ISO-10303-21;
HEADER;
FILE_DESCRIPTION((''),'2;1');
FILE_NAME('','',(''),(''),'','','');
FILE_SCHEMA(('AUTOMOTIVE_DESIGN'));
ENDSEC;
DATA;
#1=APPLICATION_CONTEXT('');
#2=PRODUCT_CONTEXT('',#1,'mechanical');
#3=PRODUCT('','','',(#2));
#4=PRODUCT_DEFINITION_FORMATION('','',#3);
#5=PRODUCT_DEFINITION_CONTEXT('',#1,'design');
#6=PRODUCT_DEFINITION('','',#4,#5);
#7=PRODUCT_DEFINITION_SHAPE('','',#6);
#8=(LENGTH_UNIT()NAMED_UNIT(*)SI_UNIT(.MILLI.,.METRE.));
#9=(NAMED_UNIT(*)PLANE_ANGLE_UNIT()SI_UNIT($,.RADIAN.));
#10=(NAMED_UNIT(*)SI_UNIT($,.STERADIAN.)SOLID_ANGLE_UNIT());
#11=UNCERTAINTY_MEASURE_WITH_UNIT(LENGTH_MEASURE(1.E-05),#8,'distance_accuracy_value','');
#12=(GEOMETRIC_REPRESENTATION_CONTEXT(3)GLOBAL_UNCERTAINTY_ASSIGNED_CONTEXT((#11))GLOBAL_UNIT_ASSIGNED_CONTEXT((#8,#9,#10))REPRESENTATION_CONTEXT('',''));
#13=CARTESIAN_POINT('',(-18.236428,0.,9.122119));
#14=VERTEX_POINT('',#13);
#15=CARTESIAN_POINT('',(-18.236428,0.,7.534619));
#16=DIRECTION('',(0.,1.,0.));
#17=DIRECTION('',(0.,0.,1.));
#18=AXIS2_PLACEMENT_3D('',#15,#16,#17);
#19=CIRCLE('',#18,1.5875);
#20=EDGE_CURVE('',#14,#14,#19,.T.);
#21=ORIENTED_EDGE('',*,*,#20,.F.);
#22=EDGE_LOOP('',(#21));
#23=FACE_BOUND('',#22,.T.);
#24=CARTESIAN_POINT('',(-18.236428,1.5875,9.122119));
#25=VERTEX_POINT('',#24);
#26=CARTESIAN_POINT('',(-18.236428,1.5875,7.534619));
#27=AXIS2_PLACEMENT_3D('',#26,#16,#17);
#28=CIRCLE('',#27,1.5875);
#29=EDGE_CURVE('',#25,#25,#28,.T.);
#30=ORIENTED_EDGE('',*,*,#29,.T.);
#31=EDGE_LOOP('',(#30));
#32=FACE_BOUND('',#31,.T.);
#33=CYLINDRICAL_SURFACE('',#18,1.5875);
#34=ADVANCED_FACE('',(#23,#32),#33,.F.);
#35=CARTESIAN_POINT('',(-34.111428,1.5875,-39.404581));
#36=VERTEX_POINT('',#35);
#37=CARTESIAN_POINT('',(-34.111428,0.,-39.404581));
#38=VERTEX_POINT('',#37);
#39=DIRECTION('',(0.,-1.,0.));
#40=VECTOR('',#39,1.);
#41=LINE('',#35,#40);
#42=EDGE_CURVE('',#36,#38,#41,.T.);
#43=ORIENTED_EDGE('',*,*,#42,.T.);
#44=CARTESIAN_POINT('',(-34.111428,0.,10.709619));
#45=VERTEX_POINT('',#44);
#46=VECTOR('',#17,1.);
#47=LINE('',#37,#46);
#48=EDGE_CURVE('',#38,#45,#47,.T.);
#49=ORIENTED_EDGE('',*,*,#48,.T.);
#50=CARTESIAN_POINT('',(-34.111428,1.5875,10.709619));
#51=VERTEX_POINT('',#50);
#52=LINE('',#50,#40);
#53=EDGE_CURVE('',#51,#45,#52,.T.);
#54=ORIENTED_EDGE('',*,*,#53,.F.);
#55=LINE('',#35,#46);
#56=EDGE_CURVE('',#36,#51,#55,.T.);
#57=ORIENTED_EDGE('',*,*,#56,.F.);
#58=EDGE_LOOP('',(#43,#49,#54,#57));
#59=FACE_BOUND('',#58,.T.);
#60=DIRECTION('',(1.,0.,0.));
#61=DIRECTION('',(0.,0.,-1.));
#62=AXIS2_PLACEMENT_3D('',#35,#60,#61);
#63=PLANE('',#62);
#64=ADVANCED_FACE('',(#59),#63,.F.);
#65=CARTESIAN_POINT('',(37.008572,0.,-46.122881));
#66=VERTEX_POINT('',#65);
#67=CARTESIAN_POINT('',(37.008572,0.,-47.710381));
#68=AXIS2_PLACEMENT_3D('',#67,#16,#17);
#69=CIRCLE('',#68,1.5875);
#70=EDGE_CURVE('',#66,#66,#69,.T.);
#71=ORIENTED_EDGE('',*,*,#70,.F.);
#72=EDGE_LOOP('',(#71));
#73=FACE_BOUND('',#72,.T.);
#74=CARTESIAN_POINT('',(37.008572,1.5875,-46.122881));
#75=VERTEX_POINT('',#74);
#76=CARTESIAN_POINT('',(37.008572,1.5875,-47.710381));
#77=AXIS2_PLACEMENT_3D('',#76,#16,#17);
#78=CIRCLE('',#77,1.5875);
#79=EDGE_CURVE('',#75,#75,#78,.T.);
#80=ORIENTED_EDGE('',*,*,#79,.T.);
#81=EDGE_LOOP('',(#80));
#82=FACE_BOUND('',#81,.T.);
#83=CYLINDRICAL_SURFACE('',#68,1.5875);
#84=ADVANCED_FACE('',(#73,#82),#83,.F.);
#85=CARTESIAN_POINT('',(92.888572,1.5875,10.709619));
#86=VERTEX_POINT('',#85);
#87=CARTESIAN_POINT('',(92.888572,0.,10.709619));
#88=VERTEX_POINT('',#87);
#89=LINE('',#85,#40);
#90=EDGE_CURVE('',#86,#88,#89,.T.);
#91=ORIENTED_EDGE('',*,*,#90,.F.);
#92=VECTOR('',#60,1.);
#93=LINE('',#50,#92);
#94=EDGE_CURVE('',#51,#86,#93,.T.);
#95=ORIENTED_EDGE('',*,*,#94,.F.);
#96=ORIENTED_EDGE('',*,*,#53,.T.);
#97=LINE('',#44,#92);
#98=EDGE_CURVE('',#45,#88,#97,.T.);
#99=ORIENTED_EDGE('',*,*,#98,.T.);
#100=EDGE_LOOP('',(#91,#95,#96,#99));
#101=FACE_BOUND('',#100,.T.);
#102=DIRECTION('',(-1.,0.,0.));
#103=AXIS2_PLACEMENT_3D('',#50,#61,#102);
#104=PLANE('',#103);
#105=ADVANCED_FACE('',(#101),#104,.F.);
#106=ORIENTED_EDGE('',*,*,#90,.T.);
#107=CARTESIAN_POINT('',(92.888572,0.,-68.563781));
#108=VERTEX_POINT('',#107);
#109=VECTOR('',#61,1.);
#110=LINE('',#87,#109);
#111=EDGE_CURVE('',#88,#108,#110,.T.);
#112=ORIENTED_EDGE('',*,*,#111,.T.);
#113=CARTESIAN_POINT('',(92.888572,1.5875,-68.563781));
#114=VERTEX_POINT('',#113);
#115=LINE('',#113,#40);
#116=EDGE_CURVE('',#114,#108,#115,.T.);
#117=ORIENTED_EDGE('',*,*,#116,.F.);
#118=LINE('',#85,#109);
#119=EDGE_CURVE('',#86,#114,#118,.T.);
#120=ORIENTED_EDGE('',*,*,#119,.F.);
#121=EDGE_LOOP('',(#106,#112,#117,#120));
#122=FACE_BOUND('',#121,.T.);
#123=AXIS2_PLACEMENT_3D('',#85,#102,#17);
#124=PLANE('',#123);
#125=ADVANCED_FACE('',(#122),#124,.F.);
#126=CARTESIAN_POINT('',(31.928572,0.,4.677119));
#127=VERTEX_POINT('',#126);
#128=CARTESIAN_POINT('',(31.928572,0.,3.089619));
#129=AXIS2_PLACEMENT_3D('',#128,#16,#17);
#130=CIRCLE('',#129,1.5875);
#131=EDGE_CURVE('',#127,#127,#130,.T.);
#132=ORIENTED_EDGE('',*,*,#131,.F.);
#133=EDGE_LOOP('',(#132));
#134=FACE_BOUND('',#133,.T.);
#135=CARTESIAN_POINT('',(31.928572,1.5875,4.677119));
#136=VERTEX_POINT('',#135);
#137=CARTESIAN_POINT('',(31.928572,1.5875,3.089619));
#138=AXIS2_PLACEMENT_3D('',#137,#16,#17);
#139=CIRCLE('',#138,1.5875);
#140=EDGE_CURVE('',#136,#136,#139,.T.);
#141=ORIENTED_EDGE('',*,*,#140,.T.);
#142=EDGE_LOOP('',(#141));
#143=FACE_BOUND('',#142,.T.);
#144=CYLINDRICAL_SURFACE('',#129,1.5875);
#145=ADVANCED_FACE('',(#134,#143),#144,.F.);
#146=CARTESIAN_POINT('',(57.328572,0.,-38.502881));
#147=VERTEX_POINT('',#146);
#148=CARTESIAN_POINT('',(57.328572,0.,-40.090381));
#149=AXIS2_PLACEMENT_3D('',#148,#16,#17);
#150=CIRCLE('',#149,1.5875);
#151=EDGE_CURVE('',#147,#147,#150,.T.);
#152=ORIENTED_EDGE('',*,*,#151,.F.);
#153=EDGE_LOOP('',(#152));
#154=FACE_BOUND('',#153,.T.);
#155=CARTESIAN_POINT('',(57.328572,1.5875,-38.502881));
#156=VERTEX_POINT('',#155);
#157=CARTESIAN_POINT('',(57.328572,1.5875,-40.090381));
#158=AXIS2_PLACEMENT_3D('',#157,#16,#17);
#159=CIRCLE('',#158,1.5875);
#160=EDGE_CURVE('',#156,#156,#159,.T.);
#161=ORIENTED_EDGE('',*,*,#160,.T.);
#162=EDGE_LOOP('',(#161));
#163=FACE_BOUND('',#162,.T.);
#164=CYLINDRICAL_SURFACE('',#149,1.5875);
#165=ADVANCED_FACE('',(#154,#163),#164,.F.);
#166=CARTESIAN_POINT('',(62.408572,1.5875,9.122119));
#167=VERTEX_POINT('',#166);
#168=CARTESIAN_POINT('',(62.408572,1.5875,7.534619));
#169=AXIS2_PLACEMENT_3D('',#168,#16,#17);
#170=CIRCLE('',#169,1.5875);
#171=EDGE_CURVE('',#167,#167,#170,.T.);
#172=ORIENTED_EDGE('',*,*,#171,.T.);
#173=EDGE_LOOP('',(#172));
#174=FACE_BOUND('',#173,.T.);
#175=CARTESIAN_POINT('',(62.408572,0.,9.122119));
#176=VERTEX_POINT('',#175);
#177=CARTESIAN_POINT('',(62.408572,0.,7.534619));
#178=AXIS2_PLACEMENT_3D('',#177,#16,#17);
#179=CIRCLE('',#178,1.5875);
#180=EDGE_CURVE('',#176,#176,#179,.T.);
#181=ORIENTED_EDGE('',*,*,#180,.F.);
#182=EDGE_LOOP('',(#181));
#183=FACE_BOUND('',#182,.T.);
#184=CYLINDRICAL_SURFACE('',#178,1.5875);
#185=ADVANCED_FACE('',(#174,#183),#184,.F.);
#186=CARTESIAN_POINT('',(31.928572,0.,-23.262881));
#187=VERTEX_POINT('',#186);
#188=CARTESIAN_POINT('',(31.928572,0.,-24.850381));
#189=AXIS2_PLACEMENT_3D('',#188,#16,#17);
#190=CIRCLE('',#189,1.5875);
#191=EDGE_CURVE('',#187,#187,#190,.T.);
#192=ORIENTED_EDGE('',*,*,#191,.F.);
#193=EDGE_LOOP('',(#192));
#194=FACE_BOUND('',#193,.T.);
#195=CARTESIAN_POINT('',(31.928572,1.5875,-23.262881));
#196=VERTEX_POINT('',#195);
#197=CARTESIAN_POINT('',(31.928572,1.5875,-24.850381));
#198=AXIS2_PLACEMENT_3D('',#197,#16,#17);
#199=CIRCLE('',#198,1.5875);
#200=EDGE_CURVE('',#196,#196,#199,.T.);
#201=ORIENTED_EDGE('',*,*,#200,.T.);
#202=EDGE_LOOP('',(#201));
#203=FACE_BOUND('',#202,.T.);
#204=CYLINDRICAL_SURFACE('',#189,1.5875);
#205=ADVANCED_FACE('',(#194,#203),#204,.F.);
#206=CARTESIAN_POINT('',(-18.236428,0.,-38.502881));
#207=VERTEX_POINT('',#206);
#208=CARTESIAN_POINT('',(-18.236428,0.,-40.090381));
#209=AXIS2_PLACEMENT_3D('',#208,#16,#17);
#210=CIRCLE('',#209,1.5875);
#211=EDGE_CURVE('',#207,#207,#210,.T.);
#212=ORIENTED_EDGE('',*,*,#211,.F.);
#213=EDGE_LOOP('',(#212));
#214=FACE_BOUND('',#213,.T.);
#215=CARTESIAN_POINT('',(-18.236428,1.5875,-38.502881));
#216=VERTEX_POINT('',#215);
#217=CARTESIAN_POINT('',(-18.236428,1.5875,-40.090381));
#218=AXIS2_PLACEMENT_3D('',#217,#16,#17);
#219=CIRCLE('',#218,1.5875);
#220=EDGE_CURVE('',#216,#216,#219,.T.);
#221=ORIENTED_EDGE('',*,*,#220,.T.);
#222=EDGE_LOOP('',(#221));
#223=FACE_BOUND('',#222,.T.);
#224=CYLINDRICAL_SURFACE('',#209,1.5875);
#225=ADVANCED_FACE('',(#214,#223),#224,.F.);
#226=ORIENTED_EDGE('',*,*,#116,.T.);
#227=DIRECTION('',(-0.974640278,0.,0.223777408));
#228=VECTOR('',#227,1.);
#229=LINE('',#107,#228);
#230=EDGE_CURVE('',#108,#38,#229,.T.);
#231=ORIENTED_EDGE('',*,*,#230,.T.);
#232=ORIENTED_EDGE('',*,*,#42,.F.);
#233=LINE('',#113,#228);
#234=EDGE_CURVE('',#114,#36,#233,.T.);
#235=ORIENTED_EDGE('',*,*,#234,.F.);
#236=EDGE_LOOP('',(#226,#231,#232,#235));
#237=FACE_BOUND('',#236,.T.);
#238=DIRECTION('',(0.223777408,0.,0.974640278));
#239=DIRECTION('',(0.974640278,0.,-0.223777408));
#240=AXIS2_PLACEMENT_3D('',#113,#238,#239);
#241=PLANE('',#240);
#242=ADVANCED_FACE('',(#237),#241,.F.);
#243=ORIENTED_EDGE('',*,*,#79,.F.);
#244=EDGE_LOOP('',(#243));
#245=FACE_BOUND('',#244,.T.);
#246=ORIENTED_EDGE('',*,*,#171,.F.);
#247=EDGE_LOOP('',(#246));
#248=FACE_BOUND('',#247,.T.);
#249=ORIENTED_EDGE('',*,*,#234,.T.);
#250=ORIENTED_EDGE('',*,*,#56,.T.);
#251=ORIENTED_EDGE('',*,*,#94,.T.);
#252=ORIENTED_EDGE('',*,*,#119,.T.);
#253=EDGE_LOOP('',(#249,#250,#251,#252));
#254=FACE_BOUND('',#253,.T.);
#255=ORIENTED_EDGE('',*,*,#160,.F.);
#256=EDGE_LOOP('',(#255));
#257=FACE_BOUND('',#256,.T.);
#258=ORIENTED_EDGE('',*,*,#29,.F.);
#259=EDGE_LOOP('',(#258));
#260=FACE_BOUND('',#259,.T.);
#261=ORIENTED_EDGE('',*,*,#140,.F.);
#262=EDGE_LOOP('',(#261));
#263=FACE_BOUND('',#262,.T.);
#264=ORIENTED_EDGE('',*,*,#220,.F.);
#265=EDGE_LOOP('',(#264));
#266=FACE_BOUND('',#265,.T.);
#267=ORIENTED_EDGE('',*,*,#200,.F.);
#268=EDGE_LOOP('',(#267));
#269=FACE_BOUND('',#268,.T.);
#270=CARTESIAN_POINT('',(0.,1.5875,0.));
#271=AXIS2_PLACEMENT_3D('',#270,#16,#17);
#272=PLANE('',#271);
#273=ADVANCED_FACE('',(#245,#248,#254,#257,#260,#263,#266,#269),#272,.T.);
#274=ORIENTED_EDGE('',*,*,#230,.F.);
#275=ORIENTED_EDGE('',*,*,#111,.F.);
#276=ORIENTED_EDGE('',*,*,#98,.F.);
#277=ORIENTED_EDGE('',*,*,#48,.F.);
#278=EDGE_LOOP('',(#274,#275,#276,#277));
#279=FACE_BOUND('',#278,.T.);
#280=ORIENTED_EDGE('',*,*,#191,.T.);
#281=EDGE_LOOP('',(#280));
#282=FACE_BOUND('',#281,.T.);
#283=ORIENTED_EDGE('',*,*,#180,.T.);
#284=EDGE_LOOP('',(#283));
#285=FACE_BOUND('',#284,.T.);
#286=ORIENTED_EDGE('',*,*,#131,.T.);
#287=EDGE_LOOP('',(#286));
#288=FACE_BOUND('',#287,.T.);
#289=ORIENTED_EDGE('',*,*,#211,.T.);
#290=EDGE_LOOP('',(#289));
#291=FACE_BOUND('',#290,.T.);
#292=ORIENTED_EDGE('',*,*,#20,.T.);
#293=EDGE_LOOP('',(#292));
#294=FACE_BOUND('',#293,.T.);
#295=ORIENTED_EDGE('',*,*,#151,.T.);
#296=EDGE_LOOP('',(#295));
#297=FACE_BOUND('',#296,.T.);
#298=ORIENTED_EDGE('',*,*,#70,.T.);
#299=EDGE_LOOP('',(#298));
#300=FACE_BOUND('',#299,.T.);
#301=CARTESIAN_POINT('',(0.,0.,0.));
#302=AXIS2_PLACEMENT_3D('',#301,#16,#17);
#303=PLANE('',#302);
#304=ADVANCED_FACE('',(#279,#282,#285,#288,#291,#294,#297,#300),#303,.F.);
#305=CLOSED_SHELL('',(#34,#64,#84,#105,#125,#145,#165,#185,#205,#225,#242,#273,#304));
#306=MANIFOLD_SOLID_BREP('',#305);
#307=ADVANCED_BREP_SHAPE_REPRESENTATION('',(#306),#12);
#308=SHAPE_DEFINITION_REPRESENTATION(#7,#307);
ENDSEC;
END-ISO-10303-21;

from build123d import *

# Parameters (mm, degrees)
BOSS_EXTRUDE1_DEPTH = 1.5875
SKETCH2_R           = 1.5875
CUT_EXTRUDE1_DEPTH  = 2.5875


with BuildPart() as part:
    # Sketch1 → Boss-Extrude1 (new body)
    with BuildSketch(Plane(origin=(0, 0, 0), x_dir=(1, 0, 0), z_dir=(0, 1, 0))):
        Polygon((-34.11142792, 39.404580528), (-34.11142792, -10.709619472), (92.88857208, -10.709619472), (92.88857208, 68.563780528), align=None)
    extrude(amount=BOSS_EXTRUDE1_DEPTH)

    # Sketch2 → Cut-Extrude1 (cut, through all)
    with BuildSketch(Plane(origin=(0, 1.5875, 0), x_dir=(1, 0, 0), z_dir=(0, 1, 0))):
        with Locations((-18.23642792, 40.090380528)):
            Circle(SKETCH2_R)
        with Locations((-18.23642792, -7.534619472)):
            Circle(SKETCH2_R)
        with Locations((37.00857208, 47.710380528)):
            Circle(SKETCH2_R)
        with Locations((31.92857208, -3.089619472)):
            Circle(SKETCH2_R)
        with Locations((31.92857208, 24.850380528)):
            Circle(SKETCH2_R)
        with Locations((57.32857208, 40.090380528)):
            Circle(SKETCH2_R)
        with Locations((62.40857208, -7.534619472)):
            Circle(SKETCH2_R)
    extrude(amount=-CUT_EXTRUDE1_DEPTH, mode=Mode.SUBTRACT)


solid = part.part
